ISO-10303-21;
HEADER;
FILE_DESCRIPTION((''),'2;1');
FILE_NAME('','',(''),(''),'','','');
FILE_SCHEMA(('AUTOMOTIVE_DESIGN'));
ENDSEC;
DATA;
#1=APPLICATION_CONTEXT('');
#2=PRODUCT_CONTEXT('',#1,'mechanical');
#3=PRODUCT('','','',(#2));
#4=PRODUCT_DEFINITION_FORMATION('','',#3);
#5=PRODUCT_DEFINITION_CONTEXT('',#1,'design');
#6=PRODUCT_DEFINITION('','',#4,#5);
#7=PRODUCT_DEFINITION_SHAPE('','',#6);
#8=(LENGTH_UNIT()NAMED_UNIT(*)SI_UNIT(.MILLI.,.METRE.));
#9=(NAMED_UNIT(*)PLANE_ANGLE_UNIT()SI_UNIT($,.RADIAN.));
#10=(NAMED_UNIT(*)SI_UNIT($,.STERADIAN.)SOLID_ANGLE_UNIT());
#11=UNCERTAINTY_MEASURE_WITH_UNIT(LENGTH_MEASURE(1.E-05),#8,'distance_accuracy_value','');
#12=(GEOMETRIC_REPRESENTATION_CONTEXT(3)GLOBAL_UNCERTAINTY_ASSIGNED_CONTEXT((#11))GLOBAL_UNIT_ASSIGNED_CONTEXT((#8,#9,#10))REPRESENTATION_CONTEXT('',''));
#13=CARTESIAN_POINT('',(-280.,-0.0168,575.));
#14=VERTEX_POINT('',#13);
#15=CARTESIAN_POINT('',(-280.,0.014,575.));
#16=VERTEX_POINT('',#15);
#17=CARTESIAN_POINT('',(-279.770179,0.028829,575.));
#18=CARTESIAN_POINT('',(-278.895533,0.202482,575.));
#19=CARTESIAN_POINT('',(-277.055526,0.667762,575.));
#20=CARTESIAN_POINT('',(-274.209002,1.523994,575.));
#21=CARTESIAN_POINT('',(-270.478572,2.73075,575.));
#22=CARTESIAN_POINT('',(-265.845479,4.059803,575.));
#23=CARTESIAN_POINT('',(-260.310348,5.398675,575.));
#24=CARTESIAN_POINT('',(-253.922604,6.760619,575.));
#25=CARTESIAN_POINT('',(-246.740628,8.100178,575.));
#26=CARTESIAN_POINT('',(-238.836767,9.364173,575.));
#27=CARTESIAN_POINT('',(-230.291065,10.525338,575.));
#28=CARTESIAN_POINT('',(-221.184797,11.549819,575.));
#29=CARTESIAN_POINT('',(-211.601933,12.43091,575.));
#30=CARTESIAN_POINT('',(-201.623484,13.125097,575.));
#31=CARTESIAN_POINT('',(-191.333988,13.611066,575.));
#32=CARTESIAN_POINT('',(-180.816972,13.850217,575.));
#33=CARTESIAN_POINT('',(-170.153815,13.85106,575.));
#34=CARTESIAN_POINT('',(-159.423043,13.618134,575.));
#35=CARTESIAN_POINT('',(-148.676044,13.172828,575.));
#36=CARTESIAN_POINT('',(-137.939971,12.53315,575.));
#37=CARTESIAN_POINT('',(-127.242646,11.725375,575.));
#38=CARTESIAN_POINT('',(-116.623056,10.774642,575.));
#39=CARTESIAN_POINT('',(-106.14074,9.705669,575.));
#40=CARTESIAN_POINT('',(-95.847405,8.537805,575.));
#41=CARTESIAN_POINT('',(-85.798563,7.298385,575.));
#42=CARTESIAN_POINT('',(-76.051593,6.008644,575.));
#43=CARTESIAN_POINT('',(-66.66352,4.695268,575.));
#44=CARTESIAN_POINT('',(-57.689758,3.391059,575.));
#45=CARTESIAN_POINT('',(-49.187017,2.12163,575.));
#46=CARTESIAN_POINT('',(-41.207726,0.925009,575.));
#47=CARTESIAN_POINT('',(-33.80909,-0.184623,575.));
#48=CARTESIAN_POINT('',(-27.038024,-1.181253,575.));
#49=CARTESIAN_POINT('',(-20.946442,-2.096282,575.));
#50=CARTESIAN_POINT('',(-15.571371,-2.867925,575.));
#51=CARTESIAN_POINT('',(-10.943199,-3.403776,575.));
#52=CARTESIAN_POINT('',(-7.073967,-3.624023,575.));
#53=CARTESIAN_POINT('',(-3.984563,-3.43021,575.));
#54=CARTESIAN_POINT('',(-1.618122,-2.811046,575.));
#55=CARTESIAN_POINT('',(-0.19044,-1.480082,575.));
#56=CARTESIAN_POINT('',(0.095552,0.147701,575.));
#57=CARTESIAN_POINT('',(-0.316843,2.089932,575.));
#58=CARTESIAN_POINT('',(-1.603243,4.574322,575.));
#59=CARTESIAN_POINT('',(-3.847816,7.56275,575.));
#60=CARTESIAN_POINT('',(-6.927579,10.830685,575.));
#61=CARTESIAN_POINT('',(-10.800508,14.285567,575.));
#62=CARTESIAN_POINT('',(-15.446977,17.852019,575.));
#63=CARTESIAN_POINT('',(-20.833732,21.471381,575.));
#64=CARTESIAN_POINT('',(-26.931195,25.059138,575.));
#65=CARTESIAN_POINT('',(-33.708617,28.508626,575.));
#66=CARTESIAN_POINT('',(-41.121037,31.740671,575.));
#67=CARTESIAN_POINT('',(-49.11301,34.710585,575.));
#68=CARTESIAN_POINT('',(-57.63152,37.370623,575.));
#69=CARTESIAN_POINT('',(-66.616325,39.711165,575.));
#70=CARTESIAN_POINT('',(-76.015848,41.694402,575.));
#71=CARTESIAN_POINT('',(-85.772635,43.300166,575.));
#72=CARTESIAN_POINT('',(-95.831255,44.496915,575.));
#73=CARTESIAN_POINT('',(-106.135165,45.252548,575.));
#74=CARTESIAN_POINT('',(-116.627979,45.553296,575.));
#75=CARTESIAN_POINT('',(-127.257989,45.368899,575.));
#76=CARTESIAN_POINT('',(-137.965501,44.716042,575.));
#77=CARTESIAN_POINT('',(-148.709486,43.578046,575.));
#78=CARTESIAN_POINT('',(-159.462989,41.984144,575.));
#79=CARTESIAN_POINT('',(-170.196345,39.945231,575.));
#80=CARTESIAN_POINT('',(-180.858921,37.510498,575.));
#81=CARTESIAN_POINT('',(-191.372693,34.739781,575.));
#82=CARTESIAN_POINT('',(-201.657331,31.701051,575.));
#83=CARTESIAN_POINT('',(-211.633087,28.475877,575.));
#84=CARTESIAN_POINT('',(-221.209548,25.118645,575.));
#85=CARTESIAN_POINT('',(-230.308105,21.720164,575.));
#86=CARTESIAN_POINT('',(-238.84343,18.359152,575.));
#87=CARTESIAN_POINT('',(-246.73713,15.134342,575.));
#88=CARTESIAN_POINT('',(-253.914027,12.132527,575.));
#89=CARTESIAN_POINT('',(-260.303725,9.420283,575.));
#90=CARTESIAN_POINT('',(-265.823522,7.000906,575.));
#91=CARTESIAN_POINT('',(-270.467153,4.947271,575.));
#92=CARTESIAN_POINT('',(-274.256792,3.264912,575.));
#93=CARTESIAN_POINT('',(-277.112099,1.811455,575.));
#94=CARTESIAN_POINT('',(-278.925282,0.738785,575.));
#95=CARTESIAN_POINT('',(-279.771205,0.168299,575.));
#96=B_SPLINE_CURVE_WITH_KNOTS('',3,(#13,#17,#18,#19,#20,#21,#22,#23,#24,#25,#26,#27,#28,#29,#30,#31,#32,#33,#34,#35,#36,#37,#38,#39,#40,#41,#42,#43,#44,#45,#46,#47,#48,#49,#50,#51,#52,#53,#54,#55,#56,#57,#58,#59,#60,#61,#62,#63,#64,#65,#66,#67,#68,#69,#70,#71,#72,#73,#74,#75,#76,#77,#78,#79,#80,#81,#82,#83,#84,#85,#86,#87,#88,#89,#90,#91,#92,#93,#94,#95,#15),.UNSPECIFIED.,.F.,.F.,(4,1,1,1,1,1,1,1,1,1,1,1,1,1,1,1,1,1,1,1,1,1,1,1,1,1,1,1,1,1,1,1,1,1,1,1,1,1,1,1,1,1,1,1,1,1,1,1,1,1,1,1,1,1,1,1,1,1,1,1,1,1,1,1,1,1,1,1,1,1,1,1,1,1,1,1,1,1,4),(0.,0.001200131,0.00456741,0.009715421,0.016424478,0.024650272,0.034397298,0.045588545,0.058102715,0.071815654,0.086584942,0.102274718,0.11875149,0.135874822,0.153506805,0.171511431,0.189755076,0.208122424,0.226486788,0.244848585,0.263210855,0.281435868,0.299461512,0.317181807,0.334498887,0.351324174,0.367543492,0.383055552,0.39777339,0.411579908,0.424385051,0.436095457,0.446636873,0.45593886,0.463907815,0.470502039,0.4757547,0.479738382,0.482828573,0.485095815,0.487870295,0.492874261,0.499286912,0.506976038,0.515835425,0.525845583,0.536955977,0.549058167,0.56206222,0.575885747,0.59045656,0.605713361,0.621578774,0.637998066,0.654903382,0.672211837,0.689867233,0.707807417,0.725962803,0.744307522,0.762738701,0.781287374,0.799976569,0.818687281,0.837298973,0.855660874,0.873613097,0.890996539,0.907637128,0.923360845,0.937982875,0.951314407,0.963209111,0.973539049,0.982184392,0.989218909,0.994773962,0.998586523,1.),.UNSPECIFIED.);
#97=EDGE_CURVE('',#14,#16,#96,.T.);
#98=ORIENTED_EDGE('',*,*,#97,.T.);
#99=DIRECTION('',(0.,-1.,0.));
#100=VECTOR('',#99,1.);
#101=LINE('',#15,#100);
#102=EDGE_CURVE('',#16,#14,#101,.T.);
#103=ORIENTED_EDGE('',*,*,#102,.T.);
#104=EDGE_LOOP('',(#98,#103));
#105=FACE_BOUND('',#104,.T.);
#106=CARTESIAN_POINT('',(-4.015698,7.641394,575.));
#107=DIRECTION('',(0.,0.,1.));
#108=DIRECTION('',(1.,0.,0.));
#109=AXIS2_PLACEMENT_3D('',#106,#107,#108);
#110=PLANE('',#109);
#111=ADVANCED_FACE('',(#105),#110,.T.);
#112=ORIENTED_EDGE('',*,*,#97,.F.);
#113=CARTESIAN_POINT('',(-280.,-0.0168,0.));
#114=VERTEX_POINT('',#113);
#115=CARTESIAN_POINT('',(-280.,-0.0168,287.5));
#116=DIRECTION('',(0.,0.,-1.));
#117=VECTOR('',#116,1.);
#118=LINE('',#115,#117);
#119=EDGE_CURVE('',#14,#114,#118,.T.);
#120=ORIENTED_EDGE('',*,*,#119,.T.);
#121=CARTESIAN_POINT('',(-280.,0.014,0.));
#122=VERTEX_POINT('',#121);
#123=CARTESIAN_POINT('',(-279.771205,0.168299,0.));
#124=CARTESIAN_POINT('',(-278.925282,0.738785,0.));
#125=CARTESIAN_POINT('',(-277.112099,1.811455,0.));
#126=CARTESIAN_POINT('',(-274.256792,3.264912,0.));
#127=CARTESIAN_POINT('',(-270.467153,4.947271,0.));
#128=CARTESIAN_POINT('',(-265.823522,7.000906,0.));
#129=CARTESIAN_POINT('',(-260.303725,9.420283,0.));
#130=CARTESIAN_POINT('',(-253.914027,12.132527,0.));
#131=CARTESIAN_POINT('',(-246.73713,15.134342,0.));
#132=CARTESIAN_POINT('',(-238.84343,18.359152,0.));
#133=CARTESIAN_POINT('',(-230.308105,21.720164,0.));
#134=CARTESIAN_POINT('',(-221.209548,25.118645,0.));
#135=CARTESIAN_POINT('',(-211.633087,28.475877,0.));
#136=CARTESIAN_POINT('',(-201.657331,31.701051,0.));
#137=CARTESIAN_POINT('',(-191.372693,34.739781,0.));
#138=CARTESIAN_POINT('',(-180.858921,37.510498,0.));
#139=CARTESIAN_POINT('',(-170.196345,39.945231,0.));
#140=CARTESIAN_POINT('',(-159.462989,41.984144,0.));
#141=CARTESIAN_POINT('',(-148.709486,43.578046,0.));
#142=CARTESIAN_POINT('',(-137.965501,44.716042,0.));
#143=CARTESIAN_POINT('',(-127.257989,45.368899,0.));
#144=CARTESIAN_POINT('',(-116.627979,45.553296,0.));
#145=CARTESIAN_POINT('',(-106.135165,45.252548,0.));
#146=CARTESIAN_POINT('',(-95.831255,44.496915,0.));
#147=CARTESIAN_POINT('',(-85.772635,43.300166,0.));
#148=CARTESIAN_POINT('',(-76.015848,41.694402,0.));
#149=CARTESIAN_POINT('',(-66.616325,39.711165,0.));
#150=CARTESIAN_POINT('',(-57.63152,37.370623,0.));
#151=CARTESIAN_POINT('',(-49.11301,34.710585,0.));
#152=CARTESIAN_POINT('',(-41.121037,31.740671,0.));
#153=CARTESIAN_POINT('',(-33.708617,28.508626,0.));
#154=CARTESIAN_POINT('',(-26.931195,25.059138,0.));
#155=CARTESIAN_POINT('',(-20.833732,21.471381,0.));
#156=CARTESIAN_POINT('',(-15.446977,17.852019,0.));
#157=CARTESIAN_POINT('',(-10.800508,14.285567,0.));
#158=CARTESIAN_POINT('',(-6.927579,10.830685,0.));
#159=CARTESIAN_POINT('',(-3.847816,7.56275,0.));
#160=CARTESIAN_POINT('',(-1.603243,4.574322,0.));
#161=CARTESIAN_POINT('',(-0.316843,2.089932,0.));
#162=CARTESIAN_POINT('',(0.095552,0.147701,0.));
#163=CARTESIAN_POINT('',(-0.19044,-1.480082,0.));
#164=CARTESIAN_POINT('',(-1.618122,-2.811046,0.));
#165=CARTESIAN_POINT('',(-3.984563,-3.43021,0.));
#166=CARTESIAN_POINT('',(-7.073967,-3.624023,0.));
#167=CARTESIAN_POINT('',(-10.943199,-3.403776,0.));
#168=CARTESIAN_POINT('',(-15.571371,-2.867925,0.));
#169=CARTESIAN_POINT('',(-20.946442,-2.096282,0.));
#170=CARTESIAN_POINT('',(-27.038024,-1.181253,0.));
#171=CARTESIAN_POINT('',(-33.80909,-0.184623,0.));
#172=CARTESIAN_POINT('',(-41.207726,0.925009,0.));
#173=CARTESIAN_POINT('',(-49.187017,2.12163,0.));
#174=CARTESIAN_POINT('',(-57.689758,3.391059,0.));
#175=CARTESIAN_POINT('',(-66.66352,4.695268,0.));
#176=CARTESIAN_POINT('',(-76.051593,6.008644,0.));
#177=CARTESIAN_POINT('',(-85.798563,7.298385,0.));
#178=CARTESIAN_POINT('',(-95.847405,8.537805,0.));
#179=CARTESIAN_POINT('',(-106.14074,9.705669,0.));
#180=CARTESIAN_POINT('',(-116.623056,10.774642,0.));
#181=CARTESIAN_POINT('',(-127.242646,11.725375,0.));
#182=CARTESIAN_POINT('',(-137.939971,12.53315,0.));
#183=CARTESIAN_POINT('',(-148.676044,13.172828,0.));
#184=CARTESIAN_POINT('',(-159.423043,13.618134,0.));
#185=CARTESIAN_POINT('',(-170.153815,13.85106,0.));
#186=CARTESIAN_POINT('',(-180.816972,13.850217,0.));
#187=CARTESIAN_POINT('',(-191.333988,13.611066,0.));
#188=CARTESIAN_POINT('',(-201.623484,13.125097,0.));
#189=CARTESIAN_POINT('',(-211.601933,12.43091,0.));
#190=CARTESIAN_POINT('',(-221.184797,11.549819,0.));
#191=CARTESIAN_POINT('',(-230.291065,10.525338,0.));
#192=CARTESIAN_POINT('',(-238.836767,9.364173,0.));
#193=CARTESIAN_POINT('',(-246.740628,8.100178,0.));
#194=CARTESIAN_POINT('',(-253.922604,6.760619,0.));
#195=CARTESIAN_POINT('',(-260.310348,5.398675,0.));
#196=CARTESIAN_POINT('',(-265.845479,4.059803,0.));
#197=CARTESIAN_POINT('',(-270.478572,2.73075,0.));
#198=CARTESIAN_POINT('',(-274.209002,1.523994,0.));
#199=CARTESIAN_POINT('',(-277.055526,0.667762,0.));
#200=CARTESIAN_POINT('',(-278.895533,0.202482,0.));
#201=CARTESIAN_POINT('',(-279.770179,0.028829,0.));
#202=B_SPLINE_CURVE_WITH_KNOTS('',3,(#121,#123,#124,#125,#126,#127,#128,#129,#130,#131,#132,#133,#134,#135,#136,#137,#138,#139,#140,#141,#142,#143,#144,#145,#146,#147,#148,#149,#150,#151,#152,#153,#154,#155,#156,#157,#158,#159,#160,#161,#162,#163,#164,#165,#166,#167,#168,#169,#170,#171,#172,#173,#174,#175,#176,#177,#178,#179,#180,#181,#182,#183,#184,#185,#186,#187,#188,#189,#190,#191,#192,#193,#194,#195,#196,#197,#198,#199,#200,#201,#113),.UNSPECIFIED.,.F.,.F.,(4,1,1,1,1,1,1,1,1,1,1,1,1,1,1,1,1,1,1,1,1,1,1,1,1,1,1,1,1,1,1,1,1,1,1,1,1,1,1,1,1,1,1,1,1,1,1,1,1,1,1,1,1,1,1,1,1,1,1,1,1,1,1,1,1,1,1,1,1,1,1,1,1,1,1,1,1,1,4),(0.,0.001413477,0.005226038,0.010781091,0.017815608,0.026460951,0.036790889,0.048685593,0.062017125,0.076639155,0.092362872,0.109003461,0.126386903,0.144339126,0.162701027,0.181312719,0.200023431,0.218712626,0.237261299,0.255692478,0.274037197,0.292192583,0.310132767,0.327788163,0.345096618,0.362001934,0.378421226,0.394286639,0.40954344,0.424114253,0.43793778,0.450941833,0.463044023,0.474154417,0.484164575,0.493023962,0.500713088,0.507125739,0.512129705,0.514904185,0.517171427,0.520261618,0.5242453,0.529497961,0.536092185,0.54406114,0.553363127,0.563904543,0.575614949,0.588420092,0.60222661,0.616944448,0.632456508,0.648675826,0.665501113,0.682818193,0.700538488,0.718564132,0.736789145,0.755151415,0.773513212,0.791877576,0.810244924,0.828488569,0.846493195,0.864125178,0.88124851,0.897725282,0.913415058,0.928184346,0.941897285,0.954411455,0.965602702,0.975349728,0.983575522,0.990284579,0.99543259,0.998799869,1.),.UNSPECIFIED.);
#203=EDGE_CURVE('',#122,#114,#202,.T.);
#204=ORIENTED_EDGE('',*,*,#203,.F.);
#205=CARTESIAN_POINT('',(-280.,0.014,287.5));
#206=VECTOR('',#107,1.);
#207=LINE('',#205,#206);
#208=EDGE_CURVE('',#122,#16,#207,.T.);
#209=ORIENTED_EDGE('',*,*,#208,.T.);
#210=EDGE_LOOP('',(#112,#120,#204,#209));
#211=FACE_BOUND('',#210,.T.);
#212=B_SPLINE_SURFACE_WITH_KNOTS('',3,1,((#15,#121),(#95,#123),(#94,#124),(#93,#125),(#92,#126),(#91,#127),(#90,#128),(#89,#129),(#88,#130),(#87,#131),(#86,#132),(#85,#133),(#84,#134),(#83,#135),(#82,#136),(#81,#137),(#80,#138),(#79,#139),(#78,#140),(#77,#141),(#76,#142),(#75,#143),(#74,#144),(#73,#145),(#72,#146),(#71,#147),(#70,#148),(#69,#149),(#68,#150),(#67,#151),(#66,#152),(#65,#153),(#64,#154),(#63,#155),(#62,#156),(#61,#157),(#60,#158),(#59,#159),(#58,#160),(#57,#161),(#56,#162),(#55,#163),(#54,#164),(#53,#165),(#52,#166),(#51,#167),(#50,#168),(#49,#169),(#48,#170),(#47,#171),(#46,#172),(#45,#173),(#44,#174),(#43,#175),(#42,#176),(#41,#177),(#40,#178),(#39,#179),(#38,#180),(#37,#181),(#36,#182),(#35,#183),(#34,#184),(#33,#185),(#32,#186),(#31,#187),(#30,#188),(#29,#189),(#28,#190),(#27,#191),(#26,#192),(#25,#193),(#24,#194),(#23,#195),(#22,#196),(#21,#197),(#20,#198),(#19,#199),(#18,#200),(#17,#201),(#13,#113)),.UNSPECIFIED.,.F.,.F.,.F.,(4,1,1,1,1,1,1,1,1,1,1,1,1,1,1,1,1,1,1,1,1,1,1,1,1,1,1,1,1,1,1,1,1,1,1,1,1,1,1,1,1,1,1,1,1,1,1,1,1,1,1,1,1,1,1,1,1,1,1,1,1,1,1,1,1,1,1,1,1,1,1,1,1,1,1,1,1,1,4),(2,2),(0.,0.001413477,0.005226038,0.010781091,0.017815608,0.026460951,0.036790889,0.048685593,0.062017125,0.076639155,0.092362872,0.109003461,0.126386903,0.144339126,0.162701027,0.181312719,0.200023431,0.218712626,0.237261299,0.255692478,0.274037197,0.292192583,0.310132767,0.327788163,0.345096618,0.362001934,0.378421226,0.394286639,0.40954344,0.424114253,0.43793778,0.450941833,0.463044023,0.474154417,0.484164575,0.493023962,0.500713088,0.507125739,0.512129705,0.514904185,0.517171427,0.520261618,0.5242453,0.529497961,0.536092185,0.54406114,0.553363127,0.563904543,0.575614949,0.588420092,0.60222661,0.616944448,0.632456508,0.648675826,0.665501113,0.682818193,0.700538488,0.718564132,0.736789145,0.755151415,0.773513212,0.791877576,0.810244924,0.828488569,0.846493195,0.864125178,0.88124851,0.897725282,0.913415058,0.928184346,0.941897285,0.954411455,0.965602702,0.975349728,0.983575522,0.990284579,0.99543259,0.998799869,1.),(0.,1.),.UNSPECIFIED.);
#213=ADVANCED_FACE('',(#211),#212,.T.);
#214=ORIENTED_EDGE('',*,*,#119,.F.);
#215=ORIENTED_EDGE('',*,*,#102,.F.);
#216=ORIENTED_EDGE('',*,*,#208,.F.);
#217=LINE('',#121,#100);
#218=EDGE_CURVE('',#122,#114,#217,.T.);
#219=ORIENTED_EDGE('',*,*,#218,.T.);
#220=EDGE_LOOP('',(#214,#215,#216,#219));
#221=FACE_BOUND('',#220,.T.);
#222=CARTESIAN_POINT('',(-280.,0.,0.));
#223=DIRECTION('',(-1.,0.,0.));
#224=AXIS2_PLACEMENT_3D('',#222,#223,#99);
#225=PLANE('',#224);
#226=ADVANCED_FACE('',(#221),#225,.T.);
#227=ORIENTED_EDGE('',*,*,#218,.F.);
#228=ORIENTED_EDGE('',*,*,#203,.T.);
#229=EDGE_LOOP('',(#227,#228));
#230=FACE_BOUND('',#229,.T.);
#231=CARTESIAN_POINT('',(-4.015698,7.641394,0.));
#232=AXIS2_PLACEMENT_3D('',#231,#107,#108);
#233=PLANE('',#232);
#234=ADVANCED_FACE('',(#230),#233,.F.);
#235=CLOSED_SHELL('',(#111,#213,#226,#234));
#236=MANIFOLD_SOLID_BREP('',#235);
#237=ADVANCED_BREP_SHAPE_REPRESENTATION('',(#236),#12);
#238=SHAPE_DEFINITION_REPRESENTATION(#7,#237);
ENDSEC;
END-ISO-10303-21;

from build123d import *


with BuildPart() as part:
    # Sketch6 → Loft2 section 0
    with BuildSketch(Plane.XY.offset(575)):
        with BuildLine():
            Line((-280, 0.014), (-280, -0.0168))
            add(Edge.make_bspline(
                [(-280, 0.014), (-279.771204707, 0.168298563), (-278.925281642, 0.738785445), (-277.112099036, 1.81145493), (-274.256791715, 3.264911574), (-270.467152625, 4.947271328), (-265.823521768, 7.000905948), (-260.303724905, 9.42028278), (-253.91402689, 12.132526753), (-246.737129962, 15.134341951), (-238.843430318, 18.359152479), (-230.30810541, 21.720163504), (-221.209548369, 25.118644521), (-211.633086788, 28.475876512), (-201.657330859, 31.701051441), (-191.372693181, 34.739781453), (-180.858920985, 37.510498345), (-170.19634542, 39.945230809), (-159.46298851, 41.984143964), (-148.709485723, 43.578045859), (-137.965500671, 44.716042347), (-127.257988986, 45.368899266), (-116.627978631, 45.553296355), (-106.135165373, 45.2525479), (-95.831255312, 44.496915143), (-85.772634554, 43.300166367), (-76.015847778, 41.694402165), (-66.616324533, 39.711164622), (-57.631519759, 37.370622878), (-49.113009814, 34.710585168), (-41.121037488, 31.740670977), (-33.708616725, 28.508626142), (-26.931195064, 25.059138298), (-20.833732482, 21.471381025), (-15.446976943, 17.852019017), (-10.800507764, 14.285567161), (-6.927579355, 10.830684658), (-3.847816492, 7.562749849), (-1.603242544, 4.574322216), (-0.316842727, 2.089931642), (0.095551608, 0.147701002), (-0.190440036, -1.480082181), (-1.61812191, -2.811045927), (-3.984562706, -3.430210094), (-7.073967139, -3.624022711), (-10.943199102, -3.40377583), (-15.571371355, -2.867925005), (-20.94644222, -2.096282411), (-27.038024035, -1.181253274), (-33.809090153, -0.184623427), (-41.207726299, 0.925009114), (-49.187017114, 2.121630313), (-57.689757713, 3.391059344), (-66.663520395, 4.695267901), (-76.051592973, 6.00864435), (-85.798563098, 7.298385015), (-95.847404644, 8.537804845), (-106.140739912, 9.705668586), (-116.623055594, 10.774641585), (-127.242646453, 11.725374761), (-137.939971466, 12.533150396), (-148.676044421, 13.17282768), (-159.423043152, 13.618134398), (-170.153814535, 13.851060052), (-180.816971888, 13.85021665), (-191.33398763, 13.611065767), (-201.623483582, 13.125096615), (-211.601932998, 12.43090999), (-221.184797018, 11.549819182), (-230.291064503, 10.525338005), (-238.836766895, 9.364172827), (-246.740627761, 8.100177645), (-253.922603644, 6.76061863), (-260.310347725, 5.398675468), (-265.845478515, 4.059802982), (-270.478571586, 2.730749917), (-274.209001992, 1.523994274), (-277.055525725, 0.667762124), (-278.895533479, 0.202482489), (-279.77017857, 0.028829102), (-280, -0.0168)],
                knots=[0, 0, 0, 0, 0.001413477, 0.005226038, 0.010781091, 0.017815608, 0.026460951, 0.036790889, 0.048685593, 0.062017125, 0.076639155, 0.092362872, 0.109003461, 0.126386903, 0.144339126, 0.162701027, 0.181312719, 0.200023431, 0.218712626, 0.237261299, 0.255692478, 0.274037197, 0.292192583, 0.310132767, 0.327788163, 0.345096618, 0.362001934, 0.378421226, 0.394286639, 0.40954344, 0.424114253, 0.43793778, 0.450941833, 0.463044023, 0.474154417, 0.484164575, 0.493023962, 0.500713088, 0.507125739, 0.512129705, 0.514904185, 0.517171427, 0.520261618, 0.5242453, 0.529497961, 0.536092185, 0.54406114, 0.553363127, 0.563904543, 0.575614949, 0.588420092, 0.60222661, 0.616944448, 0.632456508, 0.648675826, 0.665501113, 0.682818193, 0.700538488, 0.718564132, 0.736789145, 0.755151415, 0.773513212, 0.791877576, 0.810244924, 0.828488569, 0.846493195, 0.864125178, 0.88124851, 0.897725282, 0.913415058, 0.928184346, 0.941897285, 0.954411455, 0.965602702, 0.975349728, 0.983575522, 0.990284579, 0.99543259, 0.998799869, 1, 1, 1, 1], degree=3))
        make_face()
    # Sketch3 → Loft2 section 1
    with BuildSketch(Plane(origin=(0, 0, 0), x_dir=(-1, 0, 0), z_dir=(0, 0, -1))):
        with BuildLine():
            Line((280, 0.014), (280, -0.0168))
            add(Edge.make_bspline(
                [(280, 0.014), (279.771204707, 0.168298563), (278.925281642, 0.738785445), (277.112099036, 1.81145493), (274.256791715, 3.264911574), (270.467152625, 4.947271328), (265.823521768, 7.000905948), (260.303724905, 9.42028278), (253.91402689, 12.132526753), (246.737129962, 15.134341951), (238.843430318, 18.359152479), (230.30810541, 21.720163504), (221.209548369, 25.118644521), (211.633086788, 28.475876512), (201.657330859, 31.701051441), (191.372693181, 34.739781453), (180.858920985, 37.510498345), (170.19634542, 39.945230809), (159.46298851, 41.984143964), (148.709485723, 43.578045859), (137.965500671, 44.716042347), (127.257988986, 45.368899266), (116.627978631, 45.553296355), (106.135165373, 45.2525479), (95.831255312, 44.496915143), (85.772634554, 43.300166367), (76.015847778, 41.694402165), (66.616324533, 39.711164622), (57.631519759, 37.370622878), (49.113009814, 34.710585168), (41.121037488, 31.740670977), (33.708616725, 28.508626142), (26.931195064, 25.059138298), (20.833732482, 21.471381025), (15.446976943, 17.852019017), (10.800507764, 14.285567161), (6.927579355, 10.830684658), (3.847816492, 7.562749849), (1.603242544, 4.574322216), (0.316842727, 2.089931642), (-0.095551608, 0.147701002), (0.190440036, -1.480082181), (1.61812191, -2.811045927), (3.984562706, -3.430210094), (7.073967139, -3.624022711), (10.943199102, -3.40377583), (15.571371355, -2.867925005), (20.94644222, -2.096282411), (27.038024035, -1.181253274), (33.809090153, -0.184623427), (41.207726299, 0.925009114), (49.187017114, 2.121630313), (57.689757713, 3.391059344), (66.663520395, 4.695267901), (76.051592973, 6.00864435), (85.798563098, 7.298385015), (95.847404644, 8.537804845), (106.140739912, 9.705668586), (116.623055594, 10.774641585), (127.242646453, 11.725374761), (137.939971466, 12.533150396), (148.676044421, 13.17282768), (159.423043152, 13.618134398), (170.153814535, 13.851060052), (180.816971888, 13.85021665), (191.33398763, 13.611065767), (201.623483582, 13.125096615), (211.601932998, 12.43090999), (221.184797018, 11.549819182), (230.291064503, 10.525338005), (238.836766895, 9.364172827), (246.740627761, 8.100177645), (253.922603644, 6.76061863), (260.310347725, 5.398675468), (265.845478515, 4.059802982), (270.478571586, 2.730749917), (274.209001992, 1.523994274), (277.055525725, 0.667762124), (278.895533479, 0.202482489), (279.77017857, 0.028829102), (280, -0.0168)],
                knots=[0, 0, 0, 0, 0.001413477, 0.005226038, 0.010781091, 0.017815608, 0.026460951, 0.036790889, 0.048685593, 0.062017125, 0.076639155, 0.092362872, 0.109003461, 0.126386903, 0.144339126, 0.162701027, 0.181312719, 0.200023431, 0.218712626, 0.237261299, 0.255692478, 0.274037197, 0.292192583, 0.310132767, 0.327788163, 0.345096618, 0.362001934, 0.378421226, 0.394286639, 0.40954344, 0.424114253, 0.43793778, 0.450941833, 0.463044023, 0.474154417, 0.484164575, 0.493023962, 0.500713088, 0.507125739, 0.512129705, 0.514904185, 0.517171427, 0.520261618, 0.5242453, 0.529497961, 0.536092185, 0.54406114, 0.553363127, 0.563904543, 0.575614949, 0.588420092, 0.60222661, 0.616944448, 0.632456508, 0.648675826, 0.665501113, 0.682818193, 0.700538488, 0.718564132, 0.736789145, 0.755151415, 0.773513212, 0.791877576, 0.810244924, 0.828488569, 0.846493195, 0.864125178, 0.88124851, 0.897725282, 0.913415058, 0.928184346, 0.941897285, 0.954411455, 0.965602702, 0.975349728, 0.983575522, 0.990284579, 0.99543259, 0.998799869, 1, 1, 1, 1], degree=3))
        make_face()
    loft()


solid = part.part
